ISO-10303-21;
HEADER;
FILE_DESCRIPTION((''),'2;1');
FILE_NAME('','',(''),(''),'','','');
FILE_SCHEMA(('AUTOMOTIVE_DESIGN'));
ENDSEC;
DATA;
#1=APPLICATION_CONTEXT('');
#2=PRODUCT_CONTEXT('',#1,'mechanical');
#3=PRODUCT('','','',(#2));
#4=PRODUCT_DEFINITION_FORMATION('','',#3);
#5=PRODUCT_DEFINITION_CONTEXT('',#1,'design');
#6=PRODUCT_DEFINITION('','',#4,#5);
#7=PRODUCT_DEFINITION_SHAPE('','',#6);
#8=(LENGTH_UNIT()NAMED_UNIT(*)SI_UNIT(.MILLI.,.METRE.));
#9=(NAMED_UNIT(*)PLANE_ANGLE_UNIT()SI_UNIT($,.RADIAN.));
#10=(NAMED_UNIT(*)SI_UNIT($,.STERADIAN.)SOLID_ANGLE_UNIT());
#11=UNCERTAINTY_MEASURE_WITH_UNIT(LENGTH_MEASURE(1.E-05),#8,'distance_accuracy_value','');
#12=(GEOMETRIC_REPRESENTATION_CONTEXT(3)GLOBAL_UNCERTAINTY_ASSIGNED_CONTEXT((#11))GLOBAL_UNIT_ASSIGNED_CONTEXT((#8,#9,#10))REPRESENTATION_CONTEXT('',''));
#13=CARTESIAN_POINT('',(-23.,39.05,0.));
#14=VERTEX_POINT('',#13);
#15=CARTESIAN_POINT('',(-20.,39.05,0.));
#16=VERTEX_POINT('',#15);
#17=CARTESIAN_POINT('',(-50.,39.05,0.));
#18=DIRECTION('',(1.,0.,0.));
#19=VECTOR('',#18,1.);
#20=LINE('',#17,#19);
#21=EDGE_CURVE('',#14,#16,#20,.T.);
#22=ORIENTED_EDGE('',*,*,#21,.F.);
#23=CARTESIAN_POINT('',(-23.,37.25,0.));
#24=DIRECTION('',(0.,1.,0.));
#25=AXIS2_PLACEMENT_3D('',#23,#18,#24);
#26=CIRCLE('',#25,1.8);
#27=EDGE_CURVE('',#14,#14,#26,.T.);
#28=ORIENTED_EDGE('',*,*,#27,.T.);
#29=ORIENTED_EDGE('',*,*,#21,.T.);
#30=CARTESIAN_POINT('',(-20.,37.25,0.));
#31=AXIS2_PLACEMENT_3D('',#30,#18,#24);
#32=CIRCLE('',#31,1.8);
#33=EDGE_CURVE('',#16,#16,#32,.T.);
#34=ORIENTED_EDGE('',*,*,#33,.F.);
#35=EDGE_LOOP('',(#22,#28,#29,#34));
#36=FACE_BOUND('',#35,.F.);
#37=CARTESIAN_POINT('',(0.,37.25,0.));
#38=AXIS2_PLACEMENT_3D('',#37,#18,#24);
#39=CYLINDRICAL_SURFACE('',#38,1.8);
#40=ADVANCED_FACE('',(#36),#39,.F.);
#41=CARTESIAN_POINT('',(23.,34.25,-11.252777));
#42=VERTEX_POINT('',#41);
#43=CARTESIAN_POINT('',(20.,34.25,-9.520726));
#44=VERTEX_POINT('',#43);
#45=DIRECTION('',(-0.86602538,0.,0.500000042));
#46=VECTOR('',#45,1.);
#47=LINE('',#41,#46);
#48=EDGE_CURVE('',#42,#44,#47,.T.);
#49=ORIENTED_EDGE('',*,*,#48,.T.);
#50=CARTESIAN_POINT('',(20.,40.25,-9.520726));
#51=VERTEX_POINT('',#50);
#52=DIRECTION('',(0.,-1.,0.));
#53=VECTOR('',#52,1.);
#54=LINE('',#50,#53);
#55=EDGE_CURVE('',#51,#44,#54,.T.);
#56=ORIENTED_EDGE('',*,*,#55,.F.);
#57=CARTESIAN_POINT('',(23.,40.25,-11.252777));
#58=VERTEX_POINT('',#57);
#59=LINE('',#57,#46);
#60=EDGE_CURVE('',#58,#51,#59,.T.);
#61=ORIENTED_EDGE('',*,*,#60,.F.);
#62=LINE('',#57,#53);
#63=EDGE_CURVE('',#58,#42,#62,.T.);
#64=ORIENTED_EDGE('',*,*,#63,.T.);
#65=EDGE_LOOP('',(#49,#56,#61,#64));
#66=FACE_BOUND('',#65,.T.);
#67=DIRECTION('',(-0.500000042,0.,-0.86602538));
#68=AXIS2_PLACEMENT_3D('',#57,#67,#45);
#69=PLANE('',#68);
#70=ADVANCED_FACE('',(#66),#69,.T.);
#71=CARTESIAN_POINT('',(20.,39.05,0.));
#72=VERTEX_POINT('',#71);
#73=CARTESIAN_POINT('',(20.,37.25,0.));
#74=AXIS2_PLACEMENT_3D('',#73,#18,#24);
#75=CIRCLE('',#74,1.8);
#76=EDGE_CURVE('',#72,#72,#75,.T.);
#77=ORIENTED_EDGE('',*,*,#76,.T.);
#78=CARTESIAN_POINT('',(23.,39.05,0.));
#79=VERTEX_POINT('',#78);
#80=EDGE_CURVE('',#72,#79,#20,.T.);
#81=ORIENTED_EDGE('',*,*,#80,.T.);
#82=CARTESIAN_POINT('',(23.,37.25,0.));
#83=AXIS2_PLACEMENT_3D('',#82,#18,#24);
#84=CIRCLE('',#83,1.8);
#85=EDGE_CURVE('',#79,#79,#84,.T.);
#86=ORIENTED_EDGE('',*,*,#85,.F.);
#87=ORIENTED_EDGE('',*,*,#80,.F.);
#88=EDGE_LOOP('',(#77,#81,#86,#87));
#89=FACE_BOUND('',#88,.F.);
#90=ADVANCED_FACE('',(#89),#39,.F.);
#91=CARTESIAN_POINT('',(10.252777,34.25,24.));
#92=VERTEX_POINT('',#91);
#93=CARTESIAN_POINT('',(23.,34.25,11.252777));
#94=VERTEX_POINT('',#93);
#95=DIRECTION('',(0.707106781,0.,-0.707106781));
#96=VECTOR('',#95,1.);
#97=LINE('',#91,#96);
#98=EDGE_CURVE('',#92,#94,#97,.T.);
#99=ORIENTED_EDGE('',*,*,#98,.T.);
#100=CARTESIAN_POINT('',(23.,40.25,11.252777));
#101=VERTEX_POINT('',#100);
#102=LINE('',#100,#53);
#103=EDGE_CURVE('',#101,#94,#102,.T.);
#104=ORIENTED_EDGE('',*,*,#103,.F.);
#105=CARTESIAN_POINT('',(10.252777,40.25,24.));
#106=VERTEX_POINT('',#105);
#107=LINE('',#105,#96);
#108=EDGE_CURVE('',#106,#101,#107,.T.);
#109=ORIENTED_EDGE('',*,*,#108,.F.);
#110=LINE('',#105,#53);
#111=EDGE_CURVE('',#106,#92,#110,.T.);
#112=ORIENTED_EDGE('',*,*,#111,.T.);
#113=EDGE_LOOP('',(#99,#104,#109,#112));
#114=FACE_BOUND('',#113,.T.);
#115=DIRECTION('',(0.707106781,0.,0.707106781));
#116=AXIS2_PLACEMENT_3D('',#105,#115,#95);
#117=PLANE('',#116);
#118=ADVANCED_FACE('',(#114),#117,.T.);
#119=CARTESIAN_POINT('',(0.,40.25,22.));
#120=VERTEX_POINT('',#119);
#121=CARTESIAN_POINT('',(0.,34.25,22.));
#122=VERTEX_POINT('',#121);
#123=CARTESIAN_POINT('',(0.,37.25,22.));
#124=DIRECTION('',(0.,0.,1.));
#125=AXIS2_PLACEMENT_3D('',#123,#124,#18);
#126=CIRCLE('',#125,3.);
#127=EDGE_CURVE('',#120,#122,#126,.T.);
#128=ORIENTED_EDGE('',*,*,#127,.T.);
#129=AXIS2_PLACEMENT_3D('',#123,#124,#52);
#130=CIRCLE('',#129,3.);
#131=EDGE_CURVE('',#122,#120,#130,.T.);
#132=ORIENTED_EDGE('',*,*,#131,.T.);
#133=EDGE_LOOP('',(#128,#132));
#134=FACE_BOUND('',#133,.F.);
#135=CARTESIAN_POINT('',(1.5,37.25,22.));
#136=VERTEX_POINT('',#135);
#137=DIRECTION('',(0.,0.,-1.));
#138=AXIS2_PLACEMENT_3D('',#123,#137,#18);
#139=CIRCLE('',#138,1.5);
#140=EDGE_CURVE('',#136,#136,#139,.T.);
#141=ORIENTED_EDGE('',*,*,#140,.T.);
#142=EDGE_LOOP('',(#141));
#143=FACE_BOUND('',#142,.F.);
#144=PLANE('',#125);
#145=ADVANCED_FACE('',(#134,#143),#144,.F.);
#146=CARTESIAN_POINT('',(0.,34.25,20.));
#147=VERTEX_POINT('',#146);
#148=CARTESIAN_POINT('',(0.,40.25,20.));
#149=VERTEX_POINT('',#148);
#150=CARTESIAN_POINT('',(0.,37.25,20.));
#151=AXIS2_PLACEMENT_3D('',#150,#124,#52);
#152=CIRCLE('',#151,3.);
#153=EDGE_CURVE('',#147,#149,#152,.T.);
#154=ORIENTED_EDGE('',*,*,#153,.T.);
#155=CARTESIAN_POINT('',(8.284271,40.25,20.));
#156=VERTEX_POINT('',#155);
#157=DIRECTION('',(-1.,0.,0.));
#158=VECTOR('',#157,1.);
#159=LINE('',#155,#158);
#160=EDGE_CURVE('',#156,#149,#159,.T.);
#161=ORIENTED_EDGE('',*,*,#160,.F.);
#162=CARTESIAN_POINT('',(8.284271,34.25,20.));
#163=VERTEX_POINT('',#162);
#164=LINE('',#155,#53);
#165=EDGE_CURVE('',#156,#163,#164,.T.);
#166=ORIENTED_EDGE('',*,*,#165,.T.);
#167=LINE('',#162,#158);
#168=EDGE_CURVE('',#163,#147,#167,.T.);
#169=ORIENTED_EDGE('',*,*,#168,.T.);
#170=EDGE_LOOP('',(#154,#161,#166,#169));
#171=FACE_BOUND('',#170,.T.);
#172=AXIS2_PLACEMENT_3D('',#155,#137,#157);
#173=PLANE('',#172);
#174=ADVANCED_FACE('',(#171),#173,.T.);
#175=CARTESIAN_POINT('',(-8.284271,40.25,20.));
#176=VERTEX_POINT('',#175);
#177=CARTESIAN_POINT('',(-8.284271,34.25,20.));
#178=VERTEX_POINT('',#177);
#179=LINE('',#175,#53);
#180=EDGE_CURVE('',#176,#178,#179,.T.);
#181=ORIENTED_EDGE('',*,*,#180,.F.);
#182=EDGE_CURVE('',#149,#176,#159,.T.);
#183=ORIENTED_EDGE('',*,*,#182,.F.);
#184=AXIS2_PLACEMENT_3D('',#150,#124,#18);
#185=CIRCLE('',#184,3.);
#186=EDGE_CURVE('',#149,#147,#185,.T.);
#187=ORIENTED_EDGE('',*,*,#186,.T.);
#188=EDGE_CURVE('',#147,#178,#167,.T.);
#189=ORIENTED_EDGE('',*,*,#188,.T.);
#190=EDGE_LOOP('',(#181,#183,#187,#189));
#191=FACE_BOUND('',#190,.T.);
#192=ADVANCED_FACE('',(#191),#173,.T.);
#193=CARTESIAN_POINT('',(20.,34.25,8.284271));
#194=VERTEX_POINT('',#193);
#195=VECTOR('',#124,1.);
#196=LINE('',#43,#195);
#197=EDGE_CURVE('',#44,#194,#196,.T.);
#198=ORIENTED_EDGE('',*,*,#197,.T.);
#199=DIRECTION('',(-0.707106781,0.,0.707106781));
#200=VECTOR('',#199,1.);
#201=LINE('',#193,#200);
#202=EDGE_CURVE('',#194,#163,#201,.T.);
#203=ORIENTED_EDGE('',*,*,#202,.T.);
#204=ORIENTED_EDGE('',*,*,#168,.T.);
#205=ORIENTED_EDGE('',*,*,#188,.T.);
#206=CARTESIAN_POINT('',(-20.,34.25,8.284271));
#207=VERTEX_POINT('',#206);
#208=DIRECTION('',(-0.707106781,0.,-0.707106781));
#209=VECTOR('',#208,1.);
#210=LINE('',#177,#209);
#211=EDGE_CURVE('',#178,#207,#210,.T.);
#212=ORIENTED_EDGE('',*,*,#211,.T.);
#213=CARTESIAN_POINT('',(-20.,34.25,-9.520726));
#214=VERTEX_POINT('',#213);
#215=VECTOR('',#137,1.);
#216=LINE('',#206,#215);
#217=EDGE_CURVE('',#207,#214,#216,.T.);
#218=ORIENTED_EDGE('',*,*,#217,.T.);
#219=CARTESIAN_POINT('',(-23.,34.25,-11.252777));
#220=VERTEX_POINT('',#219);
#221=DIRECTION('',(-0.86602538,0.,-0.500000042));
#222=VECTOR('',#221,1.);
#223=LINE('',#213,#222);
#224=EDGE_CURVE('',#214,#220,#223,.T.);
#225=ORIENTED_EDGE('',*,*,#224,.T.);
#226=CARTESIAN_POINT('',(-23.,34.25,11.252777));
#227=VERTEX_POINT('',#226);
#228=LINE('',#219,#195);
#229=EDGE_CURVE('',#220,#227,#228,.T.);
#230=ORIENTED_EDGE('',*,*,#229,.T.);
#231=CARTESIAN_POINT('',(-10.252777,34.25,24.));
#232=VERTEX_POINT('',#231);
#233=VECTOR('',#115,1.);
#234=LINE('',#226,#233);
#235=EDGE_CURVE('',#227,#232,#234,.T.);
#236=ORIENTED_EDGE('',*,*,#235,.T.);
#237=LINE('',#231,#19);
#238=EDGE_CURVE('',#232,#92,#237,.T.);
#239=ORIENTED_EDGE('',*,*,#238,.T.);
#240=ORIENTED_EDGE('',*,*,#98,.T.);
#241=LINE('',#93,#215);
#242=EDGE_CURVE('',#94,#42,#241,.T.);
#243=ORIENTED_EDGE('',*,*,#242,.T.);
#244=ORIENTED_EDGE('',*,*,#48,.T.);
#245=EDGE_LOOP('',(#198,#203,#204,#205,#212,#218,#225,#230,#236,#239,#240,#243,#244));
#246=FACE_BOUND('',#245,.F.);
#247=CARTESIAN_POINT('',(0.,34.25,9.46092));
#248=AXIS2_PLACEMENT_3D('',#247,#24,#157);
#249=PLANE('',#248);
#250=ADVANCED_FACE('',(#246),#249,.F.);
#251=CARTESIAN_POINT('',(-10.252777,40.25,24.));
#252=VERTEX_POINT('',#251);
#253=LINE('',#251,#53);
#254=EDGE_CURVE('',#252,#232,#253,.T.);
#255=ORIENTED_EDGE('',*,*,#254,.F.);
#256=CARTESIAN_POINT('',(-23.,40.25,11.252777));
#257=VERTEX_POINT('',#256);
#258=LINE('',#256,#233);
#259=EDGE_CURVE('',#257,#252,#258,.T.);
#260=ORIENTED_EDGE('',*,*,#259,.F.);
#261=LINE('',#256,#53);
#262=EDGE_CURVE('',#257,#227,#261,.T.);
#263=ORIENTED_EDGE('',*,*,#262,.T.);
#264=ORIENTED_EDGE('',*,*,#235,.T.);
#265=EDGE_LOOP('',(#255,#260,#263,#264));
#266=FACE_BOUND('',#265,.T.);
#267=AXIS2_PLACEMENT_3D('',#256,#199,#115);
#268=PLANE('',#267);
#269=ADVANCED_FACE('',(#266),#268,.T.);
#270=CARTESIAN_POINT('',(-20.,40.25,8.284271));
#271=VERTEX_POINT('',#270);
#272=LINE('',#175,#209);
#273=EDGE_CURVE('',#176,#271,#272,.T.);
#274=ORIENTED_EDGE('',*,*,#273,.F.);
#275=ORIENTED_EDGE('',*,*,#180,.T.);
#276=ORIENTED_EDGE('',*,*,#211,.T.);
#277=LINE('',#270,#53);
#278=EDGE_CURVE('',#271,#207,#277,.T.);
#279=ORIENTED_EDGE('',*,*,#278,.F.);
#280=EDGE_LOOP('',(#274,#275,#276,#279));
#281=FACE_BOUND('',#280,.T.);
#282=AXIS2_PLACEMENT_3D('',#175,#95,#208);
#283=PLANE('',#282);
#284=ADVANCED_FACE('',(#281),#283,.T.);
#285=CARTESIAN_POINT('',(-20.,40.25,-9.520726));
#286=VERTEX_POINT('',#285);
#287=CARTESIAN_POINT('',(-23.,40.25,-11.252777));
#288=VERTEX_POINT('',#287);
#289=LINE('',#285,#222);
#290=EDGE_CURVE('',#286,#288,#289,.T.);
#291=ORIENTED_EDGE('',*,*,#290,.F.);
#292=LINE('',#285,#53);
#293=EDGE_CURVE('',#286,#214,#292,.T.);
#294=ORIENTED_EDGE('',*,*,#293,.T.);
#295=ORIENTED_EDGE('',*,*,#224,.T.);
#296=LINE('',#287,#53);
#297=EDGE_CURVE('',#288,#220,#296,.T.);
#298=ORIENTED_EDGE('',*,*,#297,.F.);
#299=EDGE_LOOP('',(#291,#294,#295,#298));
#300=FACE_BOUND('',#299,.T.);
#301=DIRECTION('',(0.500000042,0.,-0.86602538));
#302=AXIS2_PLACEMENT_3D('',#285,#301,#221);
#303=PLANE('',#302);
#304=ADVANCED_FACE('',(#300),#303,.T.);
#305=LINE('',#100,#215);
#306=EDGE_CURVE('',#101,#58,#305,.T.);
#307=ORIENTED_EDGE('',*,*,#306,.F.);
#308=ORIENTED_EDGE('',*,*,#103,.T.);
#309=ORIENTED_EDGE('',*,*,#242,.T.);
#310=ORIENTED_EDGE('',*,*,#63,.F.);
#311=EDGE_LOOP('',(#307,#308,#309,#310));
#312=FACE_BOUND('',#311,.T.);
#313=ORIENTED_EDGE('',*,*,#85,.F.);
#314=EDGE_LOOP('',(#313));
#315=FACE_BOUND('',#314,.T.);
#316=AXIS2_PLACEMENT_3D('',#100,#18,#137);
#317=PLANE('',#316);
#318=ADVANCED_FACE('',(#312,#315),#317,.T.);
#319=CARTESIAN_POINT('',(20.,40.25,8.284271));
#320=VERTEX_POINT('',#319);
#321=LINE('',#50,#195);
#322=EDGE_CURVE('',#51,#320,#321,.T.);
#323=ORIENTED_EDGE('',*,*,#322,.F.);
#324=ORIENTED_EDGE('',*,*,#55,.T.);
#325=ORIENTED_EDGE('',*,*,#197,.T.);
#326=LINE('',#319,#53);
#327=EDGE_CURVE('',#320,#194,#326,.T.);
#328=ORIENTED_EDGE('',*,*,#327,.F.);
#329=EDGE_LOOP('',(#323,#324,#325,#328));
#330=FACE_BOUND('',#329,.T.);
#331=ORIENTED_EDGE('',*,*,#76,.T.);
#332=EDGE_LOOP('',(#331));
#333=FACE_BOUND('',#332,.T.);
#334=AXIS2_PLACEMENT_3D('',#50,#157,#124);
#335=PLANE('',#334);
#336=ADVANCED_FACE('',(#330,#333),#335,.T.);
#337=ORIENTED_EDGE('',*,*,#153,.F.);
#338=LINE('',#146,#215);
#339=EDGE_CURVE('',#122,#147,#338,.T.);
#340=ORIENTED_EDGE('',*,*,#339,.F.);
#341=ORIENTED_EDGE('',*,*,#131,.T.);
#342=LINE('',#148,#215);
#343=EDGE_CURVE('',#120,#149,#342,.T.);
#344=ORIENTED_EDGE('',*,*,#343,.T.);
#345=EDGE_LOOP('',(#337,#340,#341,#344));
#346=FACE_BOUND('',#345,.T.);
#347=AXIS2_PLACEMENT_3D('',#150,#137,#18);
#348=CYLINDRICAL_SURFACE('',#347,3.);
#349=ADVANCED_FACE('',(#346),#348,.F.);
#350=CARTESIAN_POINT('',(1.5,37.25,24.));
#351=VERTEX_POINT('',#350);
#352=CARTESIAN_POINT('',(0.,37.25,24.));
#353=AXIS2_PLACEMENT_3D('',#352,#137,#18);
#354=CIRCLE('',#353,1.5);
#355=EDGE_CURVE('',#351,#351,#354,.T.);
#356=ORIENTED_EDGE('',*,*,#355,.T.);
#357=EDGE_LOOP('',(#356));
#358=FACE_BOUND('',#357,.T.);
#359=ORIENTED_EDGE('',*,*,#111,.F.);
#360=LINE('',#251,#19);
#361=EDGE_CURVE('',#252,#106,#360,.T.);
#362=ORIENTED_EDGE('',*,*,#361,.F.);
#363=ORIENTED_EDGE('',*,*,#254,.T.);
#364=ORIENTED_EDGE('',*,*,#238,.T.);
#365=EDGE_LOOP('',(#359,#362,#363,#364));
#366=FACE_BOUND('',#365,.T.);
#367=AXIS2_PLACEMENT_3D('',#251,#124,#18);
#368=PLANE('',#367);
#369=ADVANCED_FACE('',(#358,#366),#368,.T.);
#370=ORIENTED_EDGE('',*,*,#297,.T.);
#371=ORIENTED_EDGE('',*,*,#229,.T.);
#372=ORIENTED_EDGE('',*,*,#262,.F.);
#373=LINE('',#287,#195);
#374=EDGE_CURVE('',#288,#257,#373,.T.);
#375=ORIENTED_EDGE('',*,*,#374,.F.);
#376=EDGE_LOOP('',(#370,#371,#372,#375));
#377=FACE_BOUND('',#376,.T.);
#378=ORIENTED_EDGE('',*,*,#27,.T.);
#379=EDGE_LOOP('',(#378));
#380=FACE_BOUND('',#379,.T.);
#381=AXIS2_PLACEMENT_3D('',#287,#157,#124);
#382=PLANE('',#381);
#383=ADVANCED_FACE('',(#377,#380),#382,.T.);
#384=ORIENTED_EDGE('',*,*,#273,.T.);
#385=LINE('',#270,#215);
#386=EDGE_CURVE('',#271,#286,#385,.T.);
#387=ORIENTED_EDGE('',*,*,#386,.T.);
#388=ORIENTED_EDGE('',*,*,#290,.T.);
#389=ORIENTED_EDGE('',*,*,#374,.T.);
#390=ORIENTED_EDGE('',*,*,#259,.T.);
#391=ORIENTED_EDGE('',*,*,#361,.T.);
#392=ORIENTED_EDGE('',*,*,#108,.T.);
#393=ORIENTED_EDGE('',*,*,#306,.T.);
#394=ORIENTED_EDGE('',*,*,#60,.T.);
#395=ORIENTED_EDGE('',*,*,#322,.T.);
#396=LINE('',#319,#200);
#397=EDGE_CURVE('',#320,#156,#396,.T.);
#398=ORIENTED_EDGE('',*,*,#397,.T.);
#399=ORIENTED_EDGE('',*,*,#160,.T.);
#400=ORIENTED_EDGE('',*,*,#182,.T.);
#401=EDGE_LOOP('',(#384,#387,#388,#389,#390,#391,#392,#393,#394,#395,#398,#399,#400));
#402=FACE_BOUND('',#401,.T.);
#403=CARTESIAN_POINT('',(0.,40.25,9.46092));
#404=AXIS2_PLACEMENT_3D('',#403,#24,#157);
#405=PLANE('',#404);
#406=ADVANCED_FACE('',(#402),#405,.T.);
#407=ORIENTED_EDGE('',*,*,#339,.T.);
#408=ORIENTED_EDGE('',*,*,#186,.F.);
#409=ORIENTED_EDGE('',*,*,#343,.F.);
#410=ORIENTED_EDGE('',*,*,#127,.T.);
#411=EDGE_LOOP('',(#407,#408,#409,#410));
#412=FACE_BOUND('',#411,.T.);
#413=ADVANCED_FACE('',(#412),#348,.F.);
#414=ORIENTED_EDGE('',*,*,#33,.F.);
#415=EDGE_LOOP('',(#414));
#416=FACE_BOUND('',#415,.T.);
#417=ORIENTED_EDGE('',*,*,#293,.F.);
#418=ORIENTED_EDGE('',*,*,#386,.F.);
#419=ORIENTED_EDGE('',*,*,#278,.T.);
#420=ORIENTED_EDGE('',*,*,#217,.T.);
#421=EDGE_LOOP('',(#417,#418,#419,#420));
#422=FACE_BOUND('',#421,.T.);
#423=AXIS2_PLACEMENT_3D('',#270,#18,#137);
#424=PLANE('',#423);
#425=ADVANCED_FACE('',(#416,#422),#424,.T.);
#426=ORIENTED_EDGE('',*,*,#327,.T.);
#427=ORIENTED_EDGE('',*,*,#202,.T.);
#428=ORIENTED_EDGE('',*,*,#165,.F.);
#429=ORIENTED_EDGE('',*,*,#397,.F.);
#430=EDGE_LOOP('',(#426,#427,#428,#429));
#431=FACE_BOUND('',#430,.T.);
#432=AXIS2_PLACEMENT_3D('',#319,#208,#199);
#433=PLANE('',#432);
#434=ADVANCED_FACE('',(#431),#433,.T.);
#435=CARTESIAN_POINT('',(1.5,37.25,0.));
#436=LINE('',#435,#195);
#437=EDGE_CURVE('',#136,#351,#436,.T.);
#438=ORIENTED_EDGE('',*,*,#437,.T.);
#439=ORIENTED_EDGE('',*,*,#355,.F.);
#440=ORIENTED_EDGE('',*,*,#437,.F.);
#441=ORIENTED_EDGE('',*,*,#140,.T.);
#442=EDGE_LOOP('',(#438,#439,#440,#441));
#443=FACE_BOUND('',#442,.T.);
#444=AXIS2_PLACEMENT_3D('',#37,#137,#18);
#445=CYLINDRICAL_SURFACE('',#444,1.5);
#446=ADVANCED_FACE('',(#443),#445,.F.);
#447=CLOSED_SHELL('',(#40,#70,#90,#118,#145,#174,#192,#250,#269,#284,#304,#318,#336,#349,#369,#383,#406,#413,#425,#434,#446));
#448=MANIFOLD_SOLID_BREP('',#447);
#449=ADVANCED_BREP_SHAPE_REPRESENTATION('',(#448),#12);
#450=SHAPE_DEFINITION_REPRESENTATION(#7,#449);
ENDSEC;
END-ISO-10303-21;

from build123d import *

# Parameters (mm, degrees)
SKETCH139_R  = 1.8
PAD110_DEPTH = 50
SKETCH125_R  = 3
PAD099_DEPTH = 2
SKETCH123_R  = 1.5
PAD097_DEPTH = 50
PAD083_DEPTH = 6


with BuildPart() as sidemountscrewcutout:
    # Sketch139 → Pad110 (new body, symmetric)
    with BuildSketch(Plane(origin=(0, 34, 0), x_dir=(0, 1, 0), z_dir=(1, 0, 0))):
        with Locations((3.25, 0)):
            Circle(SKETCH139_R)
    extrude(amount=PAD110_DEPTH, both=True)


with BuildPart() as countersinkcutout:
    # Sketch125 → Pad099 (new body)
    with BuildSketch(Plane(origin=(0, 40, 20), x_dir=(1, 0, 0), z_dir=(0, 0, 1))):
        with Locations((0, -3)):
            Circle(SKETCH125_R)
    extrude(amount=PAD099_DEPTH)


with BuildPart() as cutout:
    # Sketch123 → Pad097 (new body)
    with BuildSketch(Plane(origin=(0, 40, 0), x_dir=(1, 0, 0), z_dir=(0, 0, 1))):
        with Locations((0, -3)):
            Circle(SKETCH123_R)
    extrude(amount=PAD097_DEPTH)

    # Fusion004020003: union CountersinkCutout
    add(countersinkcutout.part)


with BuildPart() as motorcagesupportrib:
    # Sketch110 → Pad083 (new body)
    with BuildSketch(Plane.XZ.offset(-40)):
        Polygon((-23, -11.252777), (-23, 11.252777), (-10.252777, 24), (10.252777, 24), (23, 11.252777), (23, -11.252777), (20, -9.520726), (20, 8.284271), (8.284271, 20), (-8.284271, 20), (-20, 8.284271), (-20, -9.520726), align=None)
    extrude(amount=PAD083_DEPTH)

    # Cut007019008: cut Cutout
    add(cutout.part, mode=Mode.SUBTRACT)


with BuildPart() as motorcagesupportrib_1:
    # Cut007019008 placement: moved
    add(motorcagesupportrib.part.moved(Location((0, 0.25, 0))))

    # Cut007019012: cut SideMountScrewCutout
    add(sidemountscrewcutout.part, mode=Mode.SUBTRACT)


solid = motorcagesupportrib_1.part
